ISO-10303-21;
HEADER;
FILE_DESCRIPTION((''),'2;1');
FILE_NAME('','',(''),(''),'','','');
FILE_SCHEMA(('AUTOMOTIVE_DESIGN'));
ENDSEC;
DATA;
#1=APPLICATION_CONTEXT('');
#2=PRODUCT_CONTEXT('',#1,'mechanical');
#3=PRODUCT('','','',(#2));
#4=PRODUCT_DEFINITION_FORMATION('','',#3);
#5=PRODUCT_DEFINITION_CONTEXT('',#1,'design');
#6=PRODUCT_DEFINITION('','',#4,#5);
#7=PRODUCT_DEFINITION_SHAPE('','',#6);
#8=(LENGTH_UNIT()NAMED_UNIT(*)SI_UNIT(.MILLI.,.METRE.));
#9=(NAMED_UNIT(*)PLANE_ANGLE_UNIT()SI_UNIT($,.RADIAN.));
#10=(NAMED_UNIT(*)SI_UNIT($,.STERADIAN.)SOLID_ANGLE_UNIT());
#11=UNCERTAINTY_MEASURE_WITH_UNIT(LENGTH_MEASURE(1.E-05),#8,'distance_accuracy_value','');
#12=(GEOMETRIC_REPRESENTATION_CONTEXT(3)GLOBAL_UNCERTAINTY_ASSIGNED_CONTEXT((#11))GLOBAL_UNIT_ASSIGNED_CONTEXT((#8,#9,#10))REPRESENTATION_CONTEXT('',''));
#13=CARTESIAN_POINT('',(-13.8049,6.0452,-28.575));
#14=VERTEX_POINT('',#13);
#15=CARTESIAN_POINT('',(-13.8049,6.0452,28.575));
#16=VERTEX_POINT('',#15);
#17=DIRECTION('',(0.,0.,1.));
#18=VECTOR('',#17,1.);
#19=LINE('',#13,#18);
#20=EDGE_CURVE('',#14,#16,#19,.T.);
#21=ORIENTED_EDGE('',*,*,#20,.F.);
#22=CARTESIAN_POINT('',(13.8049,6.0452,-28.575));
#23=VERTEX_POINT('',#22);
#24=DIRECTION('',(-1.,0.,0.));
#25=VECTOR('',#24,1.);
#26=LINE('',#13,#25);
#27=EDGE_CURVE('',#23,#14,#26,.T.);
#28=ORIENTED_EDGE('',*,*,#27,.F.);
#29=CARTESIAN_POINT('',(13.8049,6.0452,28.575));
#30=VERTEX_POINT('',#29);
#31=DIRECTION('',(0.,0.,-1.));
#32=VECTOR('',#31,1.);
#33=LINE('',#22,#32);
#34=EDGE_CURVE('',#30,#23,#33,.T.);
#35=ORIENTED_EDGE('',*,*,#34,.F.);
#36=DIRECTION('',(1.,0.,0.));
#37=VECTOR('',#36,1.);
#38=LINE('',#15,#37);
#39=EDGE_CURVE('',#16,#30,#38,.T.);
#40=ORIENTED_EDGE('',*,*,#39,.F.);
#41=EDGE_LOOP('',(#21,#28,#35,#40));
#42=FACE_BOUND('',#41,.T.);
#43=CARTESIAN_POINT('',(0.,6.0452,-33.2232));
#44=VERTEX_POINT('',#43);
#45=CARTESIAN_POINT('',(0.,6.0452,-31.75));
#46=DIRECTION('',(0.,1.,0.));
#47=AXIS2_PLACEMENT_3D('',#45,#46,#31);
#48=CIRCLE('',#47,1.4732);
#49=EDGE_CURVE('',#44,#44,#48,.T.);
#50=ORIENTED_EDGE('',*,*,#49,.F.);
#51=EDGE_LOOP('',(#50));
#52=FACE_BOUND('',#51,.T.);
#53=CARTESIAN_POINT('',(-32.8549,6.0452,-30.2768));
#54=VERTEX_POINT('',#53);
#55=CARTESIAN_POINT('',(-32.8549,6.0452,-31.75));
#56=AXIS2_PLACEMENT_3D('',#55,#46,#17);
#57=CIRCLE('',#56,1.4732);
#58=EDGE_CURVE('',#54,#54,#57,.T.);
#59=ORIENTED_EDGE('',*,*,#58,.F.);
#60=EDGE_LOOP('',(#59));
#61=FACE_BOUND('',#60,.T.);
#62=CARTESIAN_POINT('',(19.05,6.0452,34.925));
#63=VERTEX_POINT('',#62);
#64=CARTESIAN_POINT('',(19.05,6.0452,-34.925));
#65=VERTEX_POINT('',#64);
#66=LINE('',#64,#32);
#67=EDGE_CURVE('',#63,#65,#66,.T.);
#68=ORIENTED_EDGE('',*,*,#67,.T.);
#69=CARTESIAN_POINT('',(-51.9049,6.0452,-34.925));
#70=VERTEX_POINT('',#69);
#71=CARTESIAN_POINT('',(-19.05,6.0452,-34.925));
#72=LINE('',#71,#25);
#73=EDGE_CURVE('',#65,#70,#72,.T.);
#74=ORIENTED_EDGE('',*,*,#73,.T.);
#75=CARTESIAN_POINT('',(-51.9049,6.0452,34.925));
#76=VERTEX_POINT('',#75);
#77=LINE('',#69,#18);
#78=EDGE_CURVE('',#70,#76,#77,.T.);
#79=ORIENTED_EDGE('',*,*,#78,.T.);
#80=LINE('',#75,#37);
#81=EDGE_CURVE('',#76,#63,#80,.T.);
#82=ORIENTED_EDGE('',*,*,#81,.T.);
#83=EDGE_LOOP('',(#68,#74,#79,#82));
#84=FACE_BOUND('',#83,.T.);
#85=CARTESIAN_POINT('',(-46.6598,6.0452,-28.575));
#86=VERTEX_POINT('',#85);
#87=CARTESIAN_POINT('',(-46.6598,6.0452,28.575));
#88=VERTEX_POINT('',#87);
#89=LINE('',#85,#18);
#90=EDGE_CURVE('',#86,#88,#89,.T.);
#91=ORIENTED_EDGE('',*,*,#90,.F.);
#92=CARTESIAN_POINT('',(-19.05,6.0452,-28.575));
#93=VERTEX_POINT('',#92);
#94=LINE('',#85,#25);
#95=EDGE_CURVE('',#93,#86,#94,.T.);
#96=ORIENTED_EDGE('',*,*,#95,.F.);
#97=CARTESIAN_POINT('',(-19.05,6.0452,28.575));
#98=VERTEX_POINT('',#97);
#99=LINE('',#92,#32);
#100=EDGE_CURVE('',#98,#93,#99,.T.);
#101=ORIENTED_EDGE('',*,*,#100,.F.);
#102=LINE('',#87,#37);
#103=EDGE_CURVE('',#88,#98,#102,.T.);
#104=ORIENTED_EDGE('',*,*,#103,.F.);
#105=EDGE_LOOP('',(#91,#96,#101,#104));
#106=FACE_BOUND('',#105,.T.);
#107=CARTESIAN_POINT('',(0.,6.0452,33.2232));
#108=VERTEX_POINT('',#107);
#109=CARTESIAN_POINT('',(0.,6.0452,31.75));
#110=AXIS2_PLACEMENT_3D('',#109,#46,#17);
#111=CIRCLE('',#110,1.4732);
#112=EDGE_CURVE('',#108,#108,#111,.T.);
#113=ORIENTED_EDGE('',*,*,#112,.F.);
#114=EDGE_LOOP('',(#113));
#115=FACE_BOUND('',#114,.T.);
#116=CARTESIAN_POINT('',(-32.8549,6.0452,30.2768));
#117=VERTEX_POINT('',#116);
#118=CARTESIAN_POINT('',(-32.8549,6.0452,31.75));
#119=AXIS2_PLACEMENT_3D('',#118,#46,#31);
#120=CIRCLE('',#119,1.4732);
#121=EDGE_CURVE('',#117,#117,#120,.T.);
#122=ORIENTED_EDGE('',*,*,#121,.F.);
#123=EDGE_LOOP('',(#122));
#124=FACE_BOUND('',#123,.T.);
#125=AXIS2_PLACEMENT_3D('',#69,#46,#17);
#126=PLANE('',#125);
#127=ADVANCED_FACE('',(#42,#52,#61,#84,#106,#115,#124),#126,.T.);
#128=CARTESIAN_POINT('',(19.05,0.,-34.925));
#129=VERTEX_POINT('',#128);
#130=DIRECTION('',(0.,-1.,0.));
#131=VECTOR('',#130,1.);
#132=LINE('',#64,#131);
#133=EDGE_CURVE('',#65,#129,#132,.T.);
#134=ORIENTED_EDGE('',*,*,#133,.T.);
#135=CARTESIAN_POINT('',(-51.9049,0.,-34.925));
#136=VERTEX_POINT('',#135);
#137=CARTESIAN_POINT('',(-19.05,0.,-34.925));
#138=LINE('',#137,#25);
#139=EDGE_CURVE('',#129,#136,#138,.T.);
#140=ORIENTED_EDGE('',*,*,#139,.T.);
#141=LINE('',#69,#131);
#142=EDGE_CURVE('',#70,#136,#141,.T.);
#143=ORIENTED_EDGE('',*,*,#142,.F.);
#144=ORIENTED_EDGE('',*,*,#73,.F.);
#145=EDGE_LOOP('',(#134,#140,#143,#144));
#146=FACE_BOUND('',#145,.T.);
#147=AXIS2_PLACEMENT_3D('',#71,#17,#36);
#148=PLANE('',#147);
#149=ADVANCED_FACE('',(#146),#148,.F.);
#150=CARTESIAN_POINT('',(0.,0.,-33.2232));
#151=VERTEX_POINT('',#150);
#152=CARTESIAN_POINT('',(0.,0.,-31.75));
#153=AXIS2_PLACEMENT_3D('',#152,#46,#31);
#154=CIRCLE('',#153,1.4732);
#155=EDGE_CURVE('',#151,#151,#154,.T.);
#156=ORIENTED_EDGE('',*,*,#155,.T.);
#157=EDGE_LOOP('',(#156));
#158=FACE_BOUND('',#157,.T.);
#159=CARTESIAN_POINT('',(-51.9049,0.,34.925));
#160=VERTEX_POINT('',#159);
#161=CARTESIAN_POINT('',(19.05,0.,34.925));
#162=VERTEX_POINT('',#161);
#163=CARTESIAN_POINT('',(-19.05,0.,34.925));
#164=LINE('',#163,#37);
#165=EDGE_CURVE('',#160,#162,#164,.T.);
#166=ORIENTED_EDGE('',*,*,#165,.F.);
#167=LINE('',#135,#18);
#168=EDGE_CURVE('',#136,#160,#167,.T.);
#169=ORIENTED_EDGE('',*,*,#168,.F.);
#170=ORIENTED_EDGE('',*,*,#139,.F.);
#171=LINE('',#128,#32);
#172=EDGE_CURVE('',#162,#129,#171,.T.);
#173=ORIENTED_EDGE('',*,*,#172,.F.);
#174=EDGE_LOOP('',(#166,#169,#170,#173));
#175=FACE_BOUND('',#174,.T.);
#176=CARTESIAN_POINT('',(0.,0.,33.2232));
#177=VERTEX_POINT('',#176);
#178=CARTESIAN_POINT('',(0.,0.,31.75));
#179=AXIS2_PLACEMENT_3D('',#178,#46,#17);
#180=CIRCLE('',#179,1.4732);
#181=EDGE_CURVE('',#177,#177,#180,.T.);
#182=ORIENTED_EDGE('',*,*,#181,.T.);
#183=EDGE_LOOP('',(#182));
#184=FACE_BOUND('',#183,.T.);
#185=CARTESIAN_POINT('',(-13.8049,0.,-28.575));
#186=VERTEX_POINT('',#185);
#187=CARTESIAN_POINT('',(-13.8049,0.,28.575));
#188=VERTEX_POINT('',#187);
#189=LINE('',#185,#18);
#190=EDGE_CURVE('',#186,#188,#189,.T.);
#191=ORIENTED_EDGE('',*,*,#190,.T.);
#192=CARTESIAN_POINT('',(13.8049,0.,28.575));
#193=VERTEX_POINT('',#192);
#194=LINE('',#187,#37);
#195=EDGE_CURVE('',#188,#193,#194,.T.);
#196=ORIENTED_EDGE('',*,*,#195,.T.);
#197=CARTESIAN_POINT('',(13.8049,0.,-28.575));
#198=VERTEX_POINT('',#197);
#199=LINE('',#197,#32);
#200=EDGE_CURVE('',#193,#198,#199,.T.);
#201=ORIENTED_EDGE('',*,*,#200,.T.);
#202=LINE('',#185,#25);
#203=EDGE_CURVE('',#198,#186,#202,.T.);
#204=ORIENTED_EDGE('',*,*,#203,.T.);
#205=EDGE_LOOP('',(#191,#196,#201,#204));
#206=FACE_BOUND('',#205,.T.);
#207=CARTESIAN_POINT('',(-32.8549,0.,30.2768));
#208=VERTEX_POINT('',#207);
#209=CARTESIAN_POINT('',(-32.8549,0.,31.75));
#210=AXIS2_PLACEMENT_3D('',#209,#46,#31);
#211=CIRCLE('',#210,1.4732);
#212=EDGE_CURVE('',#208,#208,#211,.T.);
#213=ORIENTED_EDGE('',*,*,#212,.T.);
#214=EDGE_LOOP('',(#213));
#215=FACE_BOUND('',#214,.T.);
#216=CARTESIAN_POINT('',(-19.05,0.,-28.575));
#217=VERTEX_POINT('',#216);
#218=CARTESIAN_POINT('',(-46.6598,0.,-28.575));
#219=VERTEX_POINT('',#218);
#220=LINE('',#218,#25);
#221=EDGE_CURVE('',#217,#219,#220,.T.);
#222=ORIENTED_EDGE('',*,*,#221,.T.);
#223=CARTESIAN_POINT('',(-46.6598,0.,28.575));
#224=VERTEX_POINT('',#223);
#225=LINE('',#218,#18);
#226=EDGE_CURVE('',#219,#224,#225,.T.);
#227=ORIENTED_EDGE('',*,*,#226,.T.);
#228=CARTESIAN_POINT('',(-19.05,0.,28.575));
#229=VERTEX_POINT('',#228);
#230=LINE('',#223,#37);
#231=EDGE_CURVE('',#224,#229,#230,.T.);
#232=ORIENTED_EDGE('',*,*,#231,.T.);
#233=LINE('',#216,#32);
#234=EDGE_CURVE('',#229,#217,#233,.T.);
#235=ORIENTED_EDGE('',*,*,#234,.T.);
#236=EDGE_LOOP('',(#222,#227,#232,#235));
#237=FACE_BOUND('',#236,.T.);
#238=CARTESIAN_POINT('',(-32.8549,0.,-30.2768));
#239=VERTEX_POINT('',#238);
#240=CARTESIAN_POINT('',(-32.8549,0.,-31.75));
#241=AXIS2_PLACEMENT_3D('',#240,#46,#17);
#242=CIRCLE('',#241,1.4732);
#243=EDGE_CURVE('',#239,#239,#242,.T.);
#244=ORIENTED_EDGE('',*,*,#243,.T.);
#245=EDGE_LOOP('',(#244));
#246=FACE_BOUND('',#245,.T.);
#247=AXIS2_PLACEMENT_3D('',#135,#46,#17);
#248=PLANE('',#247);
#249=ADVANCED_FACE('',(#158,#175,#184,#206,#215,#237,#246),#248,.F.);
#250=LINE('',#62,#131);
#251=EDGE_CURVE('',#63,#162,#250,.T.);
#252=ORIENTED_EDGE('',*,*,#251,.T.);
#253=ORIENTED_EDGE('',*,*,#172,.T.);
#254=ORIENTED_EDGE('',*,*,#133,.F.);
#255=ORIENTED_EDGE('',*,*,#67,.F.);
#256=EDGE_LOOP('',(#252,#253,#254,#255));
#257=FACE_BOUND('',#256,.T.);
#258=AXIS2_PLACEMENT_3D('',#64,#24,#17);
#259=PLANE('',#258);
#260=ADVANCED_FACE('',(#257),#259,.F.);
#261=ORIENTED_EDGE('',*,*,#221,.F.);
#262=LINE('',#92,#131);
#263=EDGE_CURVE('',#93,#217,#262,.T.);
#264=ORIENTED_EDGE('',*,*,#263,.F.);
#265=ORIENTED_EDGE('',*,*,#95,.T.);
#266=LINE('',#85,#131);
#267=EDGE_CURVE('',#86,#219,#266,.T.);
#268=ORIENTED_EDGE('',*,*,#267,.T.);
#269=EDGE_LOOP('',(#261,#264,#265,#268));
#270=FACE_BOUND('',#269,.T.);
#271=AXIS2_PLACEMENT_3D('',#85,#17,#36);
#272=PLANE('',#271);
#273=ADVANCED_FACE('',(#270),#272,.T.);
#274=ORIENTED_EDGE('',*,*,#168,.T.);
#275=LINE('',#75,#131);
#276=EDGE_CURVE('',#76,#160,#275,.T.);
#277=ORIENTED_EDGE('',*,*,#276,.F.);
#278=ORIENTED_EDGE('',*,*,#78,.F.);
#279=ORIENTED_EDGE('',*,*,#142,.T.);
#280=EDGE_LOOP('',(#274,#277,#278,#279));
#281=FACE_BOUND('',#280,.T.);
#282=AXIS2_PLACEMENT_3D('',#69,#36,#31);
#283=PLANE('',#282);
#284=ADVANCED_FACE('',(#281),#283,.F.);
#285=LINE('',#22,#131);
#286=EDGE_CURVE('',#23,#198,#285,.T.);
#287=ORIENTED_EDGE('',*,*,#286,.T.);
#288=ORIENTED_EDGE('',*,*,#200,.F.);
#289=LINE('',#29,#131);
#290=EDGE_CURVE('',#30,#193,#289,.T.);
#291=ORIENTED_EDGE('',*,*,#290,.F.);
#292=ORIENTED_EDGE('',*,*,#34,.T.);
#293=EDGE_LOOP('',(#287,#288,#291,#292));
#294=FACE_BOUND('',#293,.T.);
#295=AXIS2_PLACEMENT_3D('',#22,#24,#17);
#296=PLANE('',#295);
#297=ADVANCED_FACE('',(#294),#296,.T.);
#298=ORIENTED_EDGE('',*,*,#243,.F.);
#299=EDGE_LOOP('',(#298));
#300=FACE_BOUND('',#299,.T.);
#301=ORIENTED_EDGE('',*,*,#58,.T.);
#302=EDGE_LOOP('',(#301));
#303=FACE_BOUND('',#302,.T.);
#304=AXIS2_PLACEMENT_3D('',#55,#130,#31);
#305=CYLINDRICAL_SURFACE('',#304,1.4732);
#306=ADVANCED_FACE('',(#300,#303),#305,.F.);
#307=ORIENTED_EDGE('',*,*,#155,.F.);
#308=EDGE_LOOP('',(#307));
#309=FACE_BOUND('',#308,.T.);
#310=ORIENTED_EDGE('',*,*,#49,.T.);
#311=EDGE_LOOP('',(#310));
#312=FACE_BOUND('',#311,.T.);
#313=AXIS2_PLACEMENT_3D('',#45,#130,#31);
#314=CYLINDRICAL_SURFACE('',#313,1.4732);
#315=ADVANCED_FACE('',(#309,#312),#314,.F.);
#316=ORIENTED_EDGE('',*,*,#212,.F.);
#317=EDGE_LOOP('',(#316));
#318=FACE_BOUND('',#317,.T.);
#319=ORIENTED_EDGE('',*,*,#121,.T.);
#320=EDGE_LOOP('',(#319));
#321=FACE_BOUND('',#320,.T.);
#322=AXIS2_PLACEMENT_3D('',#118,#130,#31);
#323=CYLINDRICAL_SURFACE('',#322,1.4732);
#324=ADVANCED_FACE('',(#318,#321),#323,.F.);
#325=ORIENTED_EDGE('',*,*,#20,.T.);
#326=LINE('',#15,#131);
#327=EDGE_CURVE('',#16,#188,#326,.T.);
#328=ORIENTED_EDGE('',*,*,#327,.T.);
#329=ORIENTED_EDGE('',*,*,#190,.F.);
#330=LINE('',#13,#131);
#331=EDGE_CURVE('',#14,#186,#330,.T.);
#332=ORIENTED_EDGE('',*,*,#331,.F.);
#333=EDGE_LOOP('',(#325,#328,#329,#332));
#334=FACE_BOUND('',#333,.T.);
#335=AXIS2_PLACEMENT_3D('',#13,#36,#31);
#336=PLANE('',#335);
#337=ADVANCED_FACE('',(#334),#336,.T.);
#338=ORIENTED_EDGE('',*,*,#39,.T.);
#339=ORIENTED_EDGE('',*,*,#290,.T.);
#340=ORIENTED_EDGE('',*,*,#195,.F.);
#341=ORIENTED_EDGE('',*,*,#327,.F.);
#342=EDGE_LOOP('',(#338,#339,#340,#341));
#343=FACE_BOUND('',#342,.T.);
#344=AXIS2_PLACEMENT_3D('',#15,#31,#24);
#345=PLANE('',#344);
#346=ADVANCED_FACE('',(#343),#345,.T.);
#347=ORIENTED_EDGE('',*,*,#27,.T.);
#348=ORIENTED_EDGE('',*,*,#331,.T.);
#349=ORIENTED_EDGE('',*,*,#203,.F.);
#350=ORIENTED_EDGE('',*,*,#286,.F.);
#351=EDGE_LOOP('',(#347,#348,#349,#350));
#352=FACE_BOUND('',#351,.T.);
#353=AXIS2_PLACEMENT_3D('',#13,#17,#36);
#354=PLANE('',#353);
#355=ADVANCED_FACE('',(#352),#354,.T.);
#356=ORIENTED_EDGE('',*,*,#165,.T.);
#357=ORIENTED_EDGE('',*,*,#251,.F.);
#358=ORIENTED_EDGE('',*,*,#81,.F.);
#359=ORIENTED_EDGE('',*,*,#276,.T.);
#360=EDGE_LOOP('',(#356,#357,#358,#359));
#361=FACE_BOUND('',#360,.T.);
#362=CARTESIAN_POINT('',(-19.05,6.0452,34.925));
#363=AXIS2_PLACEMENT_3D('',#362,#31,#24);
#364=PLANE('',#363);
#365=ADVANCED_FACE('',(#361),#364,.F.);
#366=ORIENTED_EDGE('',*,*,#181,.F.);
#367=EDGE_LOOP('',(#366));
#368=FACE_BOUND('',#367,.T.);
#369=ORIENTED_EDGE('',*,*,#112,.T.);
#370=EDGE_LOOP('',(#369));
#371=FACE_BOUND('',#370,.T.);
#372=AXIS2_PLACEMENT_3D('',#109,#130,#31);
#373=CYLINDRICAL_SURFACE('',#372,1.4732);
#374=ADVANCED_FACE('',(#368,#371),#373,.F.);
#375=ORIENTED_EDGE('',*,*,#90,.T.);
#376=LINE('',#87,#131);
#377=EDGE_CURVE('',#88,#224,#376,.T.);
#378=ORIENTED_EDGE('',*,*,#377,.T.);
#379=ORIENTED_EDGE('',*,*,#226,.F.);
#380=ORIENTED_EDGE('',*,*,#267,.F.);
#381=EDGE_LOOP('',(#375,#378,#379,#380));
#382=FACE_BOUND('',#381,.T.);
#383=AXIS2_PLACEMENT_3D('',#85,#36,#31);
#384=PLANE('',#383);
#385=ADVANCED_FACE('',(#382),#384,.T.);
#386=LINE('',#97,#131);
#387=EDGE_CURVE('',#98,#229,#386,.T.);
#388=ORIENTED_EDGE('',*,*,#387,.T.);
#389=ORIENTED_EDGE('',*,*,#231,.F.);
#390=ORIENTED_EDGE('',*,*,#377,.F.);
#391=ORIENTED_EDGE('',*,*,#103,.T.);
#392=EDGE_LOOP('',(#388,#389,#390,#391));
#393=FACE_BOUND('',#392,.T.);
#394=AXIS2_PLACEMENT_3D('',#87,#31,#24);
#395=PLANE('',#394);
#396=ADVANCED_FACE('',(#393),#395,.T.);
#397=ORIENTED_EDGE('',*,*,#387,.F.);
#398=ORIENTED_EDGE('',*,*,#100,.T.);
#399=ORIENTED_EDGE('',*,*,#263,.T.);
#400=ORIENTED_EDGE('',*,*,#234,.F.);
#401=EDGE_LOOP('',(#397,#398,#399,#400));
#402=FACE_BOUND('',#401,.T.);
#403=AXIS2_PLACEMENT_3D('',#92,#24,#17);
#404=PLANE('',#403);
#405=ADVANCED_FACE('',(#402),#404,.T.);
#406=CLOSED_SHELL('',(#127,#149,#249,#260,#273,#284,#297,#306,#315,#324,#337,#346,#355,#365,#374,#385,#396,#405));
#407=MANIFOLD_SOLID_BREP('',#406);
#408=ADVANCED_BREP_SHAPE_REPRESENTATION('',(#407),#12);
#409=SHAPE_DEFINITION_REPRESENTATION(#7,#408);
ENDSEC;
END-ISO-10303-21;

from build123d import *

# Parameters (mm, degrees)
SKETCH2_R           = 1.4732
SKETCH2_W           = 27.6098
SKETCH2_H           = 57.15
BOSS_EXTRUDE1_DEPTH = 6.0452


with BuildPart() as part:
    # Sketch2 → Boss-Extrude1 (new body)
    with BuildSketch(Plane(origin=(0, 0, 0), x_dir=(1, 0, 0), z_dir=(0, 1, 0))):
        Polygon((-19.05, 34.925), (19.05, 34.925), (19.05, -34.925), (-19.05, -34.925), (-51.9049, -34.925), (-51.9049, 34.925), align=None)
        with Locations(Location((0, 31.75, 0), (0, 0, 90))):
            Circle(SKETCH2_R, mode=Mode.SUBTRACT)
        with Locations(Location((-32.8549, 31.75, 0), (0, 0, 270))):
            Circle(SKETCH2_R, mode=Mode.SUBTRACT)
        with Locations(Location((0, -31.75, 0), (0, 0, 270))):
            Circle(SKETCH2_R, mode=Mode.SUBTRACT)
        with Locations(Location((-32.8549, -31.75, 0), (0, 0, 90))):
            Circle(SKETCH2_R, mode=Mode.SUBTRACT)
        Rectangle(SKETCH2_W, SKETCH2_H, mode=Mode.SUBTRACT)
        with Locations((-32.8549, 0)):
            Rectangle(SKETCH2_W, SKETCH2_H, mode=Mode.SUBTRACT)
    extrude(amount=BOSS_EXTRUDE1_DEPTH)


solid = part.part
